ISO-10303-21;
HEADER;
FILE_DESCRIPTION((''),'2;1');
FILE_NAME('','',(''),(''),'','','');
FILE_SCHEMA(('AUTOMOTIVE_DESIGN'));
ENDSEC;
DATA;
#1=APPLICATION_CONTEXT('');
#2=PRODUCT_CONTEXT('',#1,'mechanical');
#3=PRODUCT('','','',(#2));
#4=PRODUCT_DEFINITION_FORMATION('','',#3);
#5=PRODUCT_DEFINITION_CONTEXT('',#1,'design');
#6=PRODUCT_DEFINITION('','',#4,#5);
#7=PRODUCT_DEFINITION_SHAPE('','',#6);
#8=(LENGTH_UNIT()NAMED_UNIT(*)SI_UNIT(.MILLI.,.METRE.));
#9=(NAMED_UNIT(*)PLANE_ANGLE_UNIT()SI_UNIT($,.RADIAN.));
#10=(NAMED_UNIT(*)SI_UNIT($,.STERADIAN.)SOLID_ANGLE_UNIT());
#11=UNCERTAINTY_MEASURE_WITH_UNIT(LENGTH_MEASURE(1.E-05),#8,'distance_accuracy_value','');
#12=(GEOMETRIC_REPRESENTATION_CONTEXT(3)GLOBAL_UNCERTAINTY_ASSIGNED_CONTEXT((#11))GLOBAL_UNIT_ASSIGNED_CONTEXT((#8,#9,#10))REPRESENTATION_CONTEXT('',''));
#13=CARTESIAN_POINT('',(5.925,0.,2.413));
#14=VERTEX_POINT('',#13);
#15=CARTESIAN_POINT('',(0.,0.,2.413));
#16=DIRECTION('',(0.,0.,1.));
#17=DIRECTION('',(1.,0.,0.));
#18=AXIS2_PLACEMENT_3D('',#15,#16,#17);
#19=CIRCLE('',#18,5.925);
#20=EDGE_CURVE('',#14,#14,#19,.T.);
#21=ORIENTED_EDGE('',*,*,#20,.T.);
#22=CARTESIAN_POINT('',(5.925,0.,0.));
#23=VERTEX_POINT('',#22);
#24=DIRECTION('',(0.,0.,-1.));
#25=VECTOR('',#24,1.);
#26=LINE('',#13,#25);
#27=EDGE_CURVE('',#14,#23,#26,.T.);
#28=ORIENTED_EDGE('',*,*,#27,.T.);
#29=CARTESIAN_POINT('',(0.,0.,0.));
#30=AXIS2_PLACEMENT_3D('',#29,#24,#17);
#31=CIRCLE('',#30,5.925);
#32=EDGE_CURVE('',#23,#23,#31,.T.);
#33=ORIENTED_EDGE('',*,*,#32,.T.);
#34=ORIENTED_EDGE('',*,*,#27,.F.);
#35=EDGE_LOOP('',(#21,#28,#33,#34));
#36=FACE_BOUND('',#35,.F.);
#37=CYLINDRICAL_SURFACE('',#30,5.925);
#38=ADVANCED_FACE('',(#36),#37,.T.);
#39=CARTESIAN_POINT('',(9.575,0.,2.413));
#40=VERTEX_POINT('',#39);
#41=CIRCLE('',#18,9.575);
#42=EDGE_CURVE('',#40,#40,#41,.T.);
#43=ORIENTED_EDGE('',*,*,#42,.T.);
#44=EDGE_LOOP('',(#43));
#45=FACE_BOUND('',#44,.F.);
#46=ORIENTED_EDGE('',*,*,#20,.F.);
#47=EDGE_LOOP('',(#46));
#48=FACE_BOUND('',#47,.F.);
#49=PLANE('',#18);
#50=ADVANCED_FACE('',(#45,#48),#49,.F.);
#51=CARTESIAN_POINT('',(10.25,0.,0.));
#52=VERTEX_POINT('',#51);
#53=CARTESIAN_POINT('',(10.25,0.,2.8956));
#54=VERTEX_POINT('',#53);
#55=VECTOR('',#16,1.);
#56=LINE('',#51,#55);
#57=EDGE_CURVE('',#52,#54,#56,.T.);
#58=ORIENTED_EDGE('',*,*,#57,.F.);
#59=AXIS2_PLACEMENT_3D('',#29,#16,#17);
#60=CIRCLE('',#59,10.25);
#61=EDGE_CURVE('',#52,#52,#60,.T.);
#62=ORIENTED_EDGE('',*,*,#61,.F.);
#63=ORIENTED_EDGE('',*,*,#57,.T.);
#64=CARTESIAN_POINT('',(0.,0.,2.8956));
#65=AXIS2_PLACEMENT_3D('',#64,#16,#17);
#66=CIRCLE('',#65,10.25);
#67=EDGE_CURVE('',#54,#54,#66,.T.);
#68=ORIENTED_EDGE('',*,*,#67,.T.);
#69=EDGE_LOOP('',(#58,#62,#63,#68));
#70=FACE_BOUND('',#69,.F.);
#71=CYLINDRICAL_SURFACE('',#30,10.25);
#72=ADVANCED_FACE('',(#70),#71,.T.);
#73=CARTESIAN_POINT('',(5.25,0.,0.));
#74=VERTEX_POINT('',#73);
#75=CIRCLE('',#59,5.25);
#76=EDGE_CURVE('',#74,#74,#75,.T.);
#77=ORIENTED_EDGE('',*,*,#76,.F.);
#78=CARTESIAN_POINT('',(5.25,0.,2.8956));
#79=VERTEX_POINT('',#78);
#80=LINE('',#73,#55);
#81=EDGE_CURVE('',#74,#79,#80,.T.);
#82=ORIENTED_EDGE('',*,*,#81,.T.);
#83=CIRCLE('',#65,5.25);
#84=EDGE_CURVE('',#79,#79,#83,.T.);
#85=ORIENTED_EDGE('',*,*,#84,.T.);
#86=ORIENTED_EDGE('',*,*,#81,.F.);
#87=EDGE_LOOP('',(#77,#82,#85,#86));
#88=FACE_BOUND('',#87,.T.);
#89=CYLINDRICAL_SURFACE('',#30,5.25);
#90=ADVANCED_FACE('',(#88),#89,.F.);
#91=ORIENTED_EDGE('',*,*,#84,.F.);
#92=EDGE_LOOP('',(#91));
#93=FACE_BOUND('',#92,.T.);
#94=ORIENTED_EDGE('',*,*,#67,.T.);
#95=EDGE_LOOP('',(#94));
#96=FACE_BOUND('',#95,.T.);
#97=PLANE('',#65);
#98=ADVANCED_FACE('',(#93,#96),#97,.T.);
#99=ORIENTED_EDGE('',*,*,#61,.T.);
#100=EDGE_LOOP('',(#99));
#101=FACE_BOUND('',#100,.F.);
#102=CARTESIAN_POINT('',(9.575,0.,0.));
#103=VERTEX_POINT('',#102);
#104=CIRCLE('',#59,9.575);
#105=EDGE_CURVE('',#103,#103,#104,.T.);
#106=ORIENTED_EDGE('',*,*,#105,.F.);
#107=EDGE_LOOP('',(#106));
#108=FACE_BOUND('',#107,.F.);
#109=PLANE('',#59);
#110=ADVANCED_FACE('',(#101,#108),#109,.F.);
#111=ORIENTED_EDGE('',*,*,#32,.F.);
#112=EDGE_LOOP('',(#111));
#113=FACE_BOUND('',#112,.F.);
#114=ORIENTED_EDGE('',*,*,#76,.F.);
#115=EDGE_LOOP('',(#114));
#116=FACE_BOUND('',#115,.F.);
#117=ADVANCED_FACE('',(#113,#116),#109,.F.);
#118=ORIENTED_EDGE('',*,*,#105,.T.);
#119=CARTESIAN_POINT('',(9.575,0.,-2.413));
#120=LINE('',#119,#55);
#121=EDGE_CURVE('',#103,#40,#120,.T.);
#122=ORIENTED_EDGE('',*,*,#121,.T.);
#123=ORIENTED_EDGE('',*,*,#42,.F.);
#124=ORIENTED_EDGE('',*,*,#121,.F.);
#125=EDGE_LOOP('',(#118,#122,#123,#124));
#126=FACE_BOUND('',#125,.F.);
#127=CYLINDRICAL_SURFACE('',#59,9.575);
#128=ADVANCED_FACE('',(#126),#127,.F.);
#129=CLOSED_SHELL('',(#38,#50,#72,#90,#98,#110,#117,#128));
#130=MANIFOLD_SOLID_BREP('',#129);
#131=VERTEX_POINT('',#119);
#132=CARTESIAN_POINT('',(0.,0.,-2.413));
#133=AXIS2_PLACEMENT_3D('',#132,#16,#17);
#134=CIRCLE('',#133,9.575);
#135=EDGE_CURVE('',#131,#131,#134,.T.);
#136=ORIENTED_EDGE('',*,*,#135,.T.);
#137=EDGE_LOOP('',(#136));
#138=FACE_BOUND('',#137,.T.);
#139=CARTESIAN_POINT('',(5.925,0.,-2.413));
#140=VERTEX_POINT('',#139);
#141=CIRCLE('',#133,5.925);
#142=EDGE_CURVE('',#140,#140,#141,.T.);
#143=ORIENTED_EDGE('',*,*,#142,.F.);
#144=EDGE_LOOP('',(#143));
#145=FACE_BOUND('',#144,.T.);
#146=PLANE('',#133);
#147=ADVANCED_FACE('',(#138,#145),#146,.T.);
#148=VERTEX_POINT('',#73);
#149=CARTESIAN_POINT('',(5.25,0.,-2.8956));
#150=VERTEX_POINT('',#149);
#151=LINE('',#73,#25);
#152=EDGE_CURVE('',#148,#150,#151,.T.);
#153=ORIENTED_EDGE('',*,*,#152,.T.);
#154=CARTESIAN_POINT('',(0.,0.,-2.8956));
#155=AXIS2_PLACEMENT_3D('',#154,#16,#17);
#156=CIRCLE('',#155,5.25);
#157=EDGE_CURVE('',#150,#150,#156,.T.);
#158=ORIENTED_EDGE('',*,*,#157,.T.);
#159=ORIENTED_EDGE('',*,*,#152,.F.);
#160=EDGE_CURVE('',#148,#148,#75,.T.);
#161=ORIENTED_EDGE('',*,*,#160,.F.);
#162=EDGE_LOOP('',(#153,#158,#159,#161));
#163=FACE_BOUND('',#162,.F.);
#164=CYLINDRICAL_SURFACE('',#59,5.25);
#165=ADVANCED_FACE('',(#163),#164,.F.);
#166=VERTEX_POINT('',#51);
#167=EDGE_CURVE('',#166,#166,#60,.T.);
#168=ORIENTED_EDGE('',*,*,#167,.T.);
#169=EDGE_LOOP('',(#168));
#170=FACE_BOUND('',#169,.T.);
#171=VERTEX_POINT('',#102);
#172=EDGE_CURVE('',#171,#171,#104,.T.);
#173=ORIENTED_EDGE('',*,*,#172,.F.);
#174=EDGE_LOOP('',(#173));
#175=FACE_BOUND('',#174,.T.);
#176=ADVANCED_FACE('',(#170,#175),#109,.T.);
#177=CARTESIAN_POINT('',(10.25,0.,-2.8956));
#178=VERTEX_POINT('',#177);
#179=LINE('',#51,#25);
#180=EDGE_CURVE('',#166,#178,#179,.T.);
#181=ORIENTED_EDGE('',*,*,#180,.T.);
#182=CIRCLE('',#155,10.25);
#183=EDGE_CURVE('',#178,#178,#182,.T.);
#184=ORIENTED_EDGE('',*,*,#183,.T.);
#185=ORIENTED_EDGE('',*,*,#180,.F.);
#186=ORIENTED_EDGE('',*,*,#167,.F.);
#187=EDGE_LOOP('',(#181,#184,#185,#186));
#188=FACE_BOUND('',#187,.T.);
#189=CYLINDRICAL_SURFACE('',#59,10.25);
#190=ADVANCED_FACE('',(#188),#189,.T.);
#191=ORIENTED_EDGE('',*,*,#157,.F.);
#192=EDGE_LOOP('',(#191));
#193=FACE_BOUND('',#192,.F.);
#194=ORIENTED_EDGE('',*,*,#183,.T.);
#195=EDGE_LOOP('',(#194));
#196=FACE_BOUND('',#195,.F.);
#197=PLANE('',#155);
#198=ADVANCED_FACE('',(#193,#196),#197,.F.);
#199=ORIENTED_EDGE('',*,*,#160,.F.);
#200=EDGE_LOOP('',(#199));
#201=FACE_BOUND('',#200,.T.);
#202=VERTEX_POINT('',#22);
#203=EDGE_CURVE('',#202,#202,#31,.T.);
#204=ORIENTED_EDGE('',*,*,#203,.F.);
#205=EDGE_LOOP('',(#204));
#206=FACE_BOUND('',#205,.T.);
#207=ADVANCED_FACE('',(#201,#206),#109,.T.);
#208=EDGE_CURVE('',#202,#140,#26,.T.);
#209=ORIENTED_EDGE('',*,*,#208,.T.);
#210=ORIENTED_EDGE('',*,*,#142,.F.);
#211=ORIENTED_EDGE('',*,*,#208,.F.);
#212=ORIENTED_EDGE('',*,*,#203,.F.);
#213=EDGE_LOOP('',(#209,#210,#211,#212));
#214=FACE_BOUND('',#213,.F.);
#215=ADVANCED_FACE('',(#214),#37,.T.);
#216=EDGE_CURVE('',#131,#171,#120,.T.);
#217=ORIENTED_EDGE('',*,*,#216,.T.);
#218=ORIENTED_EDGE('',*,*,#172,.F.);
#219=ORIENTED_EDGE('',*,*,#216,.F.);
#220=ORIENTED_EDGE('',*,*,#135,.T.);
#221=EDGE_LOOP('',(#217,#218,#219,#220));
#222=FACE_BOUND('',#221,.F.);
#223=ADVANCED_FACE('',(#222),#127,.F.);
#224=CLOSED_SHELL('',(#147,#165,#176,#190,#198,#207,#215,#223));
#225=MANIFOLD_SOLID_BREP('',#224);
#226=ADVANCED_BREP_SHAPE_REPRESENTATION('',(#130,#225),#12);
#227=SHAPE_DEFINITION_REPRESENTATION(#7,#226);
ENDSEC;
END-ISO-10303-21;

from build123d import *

# Parameters (mm, degrees)
F0_R     = 10.25
F0_R_2   = 5.25
F2_DEPTH = 2.8956
F3_R     = 10.25
F3_R_2   = 5.25
F4_DEPTH = 2.8956
F1_R     = 9.575
F1_R_2   = 5.925
F5_DEPTH = 2.413


with BuildPart() as f2:
    # F0 (on Top) → F2 (new body)
    with BuildSketch(Plane.XY):
        Circle(F0_R)
        Circle(F0_R_2, mode=Mode.SUBTRACT)
    extrude(amount=F2_DEPTH)


with BuildPart() as f4:
    # F3 (on Top) → F4 (new body)
    with BuildSketch(Plane.XY):
        Circle(F3_R)
        Circle(F3_R_2, mode=Mode.SUBTRACT)
    extrude(amount=-F4_DEPTH)


with BuildPart() as f5_tool:
    # F1 (on Top) → F5 (new body, symmetric)
    with BuildSketch(Plane.XY):
        Circle(F1_R)
        Circle(F1_R_2, mode=Mode.SUBTRACT)
    extrude(amount=F5_DEPTH, both=True)


with BuildPart() as f2_1:
    add(f2.part)

    # F5: cut by f5_tool
    add(f5_tool.part, mode=Mode.SUBTRACT)


with BuildPart() as f4_1:
    add(f4.part)

    # F5: cut by f5_tool
    add(f5_tool.part, mode=Mode.SUBTRACT)


solid = Compound([f2_1.part, f4_1.part])
